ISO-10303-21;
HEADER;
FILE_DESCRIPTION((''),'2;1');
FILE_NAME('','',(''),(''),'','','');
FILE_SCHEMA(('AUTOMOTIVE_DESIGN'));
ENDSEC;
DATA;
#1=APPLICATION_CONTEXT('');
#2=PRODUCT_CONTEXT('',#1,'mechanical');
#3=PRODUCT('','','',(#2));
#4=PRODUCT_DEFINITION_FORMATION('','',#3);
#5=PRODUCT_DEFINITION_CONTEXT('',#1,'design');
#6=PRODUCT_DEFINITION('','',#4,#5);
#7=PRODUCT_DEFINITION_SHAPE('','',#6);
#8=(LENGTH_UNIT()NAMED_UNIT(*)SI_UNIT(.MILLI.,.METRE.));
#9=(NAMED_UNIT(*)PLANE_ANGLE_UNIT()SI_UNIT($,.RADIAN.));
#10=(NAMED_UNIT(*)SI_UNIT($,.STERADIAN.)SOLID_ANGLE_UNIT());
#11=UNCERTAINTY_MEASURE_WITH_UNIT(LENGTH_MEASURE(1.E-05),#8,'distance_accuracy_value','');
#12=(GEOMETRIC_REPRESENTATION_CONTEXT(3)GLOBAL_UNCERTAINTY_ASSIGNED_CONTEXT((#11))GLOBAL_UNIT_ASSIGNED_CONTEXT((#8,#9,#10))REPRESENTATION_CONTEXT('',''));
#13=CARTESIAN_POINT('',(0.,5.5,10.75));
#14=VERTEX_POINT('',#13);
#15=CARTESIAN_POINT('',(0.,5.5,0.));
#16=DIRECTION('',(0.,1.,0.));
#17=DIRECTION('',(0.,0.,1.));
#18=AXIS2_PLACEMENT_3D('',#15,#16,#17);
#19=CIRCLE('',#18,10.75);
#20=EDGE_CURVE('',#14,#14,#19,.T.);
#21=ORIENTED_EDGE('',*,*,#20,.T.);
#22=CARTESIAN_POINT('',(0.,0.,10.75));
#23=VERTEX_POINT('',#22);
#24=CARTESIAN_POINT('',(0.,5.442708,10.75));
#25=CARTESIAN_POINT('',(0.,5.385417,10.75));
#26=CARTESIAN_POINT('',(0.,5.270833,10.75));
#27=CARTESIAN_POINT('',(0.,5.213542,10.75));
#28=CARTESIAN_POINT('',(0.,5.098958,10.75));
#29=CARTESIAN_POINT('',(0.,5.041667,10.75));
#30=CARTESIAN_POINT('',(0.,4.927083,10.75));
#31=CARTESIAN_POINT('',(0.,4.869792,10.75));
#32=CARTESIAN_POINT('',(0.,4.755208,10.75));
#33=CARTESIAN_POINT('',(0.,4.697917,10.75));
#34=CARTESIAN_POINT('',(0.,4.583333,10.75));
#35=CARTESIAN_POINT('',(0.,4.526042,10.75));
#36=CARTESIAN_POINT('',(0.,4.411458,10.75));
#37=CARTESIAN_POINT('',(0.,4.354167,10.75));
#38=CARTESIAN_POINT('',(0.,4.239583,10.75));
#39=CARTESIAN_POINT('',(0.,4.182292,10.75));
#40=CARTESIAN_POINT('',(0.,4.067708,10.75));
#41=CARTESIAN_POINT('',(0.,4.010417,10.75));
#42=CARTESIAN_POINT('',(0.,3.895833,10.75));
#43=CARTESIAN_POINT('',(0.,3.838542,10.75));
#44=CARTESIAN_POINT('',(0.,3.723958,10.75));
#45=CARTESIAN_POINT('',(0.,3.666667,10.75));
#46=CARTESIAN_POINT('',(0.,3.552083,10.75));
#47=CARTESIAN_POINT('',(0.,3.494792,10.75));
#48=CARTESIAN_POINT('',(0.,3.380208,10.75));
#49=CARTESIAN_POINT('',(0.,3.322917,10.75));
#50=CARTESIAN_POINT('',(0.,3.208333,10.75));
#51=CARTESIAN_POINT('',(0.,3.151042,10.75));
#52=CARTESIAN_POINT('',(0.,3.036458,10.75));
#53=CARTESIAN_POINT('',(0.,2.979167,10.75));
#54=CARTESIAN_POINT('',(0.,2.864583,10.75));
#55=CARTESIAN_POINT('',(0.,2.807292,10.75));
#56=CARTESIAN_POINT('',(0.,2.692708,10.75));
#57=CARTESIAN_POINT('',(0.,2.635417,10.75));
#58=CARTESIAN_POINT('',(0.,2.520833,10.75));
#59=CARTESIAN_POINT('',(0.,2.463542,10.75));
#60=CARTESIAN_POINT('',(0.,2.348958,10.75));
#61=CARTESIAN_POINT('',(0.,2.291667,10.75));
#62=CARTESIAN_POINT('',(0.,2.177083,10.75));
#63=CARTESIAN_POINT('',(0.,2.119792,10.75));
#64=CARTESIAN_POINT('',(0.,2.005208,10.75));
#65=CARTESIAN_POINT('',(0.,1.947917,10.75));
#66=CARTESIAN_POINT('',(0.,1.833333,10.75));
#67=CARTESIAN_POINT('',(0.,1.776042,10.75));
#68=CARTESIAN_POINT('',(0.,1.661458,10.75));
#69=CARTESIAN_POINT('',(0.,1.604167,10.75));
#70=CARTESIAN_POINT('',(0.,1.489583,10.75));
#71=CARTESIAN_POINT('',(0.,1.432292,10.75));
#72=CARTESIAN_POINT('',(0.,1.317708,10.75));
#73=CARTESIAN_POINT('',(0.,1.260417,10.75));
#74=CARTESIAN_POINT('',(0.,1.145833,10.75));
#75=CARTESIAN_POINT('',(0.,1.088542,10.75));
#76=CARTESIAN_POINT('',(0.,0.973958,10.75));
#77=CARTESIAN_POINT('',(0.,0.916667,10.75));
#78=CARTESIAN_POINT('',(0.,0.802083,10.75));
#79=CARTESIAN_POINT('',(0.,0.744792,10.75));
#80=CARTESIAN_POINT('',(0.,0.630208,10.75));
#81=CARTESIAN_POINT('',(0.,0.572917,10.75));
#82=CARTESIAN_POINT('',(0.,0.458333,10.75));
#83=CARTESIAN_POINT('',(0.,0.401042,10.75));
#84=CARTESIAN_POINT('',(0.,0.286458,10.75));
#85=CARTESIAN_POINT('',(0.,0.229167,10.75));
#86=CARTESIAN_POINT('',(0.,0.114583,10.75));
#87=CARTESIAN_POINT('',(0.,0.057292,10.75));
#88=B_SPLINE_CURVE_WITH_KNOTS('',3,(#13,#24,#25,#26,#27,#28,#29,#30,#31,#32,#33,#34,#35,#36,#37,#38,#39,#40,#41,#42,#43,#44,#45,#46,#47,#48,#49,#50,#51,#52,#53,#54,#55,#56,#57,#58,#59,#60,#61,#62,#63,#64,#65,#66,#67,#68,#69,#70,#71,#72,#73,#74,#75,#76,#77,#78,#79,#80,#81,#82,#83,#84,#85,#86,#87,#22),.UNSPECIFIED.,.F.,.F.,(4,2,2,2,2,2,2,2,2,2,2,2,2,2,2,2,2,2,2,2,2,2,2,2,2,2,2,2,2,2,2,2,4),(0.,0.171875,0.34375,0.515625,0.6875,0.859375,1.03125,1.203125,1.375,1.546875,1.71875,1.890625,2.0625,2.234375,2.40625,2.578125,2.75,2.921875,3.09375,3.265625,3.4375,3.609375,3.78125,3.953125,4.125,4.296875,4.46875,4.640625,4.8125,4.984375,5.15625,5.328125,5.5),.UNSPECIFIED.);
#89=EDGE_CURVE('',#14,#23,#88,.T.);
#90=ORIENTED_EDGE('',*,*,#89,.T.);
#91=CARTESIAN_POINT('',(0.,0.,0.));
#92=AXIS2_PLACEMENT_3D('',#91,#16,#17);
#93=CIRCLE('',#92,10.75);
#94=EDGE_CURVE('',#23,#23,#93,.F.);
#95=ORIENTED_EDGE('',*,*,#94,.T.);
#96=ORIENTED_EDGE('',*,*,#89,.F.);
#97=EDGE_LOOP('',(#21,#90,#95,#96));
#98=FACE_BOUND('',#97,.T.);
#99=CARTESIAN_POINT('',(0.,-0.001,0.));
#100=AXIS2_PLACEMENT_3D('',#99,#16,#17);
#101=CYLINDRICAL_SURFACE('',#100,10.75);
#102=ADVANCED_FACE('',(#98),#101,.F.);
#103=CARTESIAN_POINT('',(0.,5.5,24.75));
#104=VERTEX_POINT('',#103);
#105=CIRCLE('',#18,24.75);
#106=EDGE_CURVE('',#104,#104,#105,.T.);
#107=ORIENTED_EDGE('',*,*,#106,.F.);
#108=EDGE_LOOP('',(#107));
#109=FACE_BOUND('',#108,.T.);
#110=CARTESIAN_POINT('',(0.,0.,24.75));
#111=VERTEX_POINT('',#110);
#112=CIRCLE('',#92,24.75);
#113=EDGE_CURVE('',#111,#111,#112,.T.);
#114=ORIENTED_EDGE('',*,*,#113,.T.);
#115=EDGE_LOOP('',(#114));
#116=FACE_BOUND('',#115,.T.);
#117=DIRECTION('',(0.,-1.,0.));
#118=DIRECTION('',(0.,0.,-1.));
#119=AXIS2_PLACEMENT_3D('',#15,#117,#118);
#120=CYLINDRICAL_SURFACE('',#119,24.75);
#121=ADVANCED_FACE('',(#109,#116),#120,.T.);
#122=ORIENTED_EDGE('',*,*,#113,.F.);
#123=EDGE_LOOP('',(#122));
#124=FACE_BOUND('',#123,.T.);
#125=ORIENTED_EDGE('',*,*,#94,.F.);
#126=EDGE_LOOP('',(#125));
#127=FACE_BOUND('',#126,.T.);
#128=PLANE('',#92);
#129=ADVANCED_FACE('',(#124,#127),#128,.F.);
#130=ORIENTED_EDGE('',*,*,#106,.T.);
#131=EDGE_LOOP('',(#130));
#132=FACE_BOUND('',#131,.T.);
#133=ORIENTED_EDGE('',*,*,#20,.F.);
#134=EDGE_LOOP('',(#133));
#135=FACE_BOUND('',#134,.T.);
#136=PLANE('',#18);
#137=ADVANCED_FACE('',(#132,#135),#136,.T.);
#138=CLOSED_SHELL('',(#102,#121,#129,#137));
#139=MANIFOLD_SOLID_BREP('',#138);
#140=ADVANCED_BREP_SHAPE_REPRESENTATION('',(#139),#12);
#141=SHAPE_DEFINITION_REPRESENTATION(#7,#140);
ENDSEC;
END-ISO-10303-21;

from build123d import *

# Parameters (mm, degrees)
SKETCH1_R           = 24.75
BOSS_EXTRUDE1_DEPTH = 5.5
CUT_EXTRUDE1_REACH  = 37.431
SKETCH2_R           = 10.75


with BuildPart() as part:
    # Sketch1 → Boss-Extrude1 (new body)
    with BuildSketch(Plane(origin=(0, 0, 0), x_dir=(1, 0, 0), z_dir=(0, 1, 0))):
        with Locations(Location((0, 0, 0), (0, 0, 270))):
            Circle(SKETCH1_R)
    extrude(amount=BOSS_EXTRUDE1_DEPTH)

    # Sketch2 → Cut-Extrude1 (cut, up to next)
    with BuildSketch(Plane(origin=(0, 5.5, 0), x_dir=(1, 0, 0), z_dir=(0, 1, 0)), mode=Mode.PRIVATE) as cut_extrude1_sk1:
        with Locations(Location((0, 0, 0), (0, 0, 270))):
            Circle(SKETCH2_R)
    cut_extrude1_tool1 = extrude(cut_extrude1_sk1.sketch, amount=-CUT_EXTRUDE1_REACH, mode=Mode.PRIVATE) & part.part
    add(cut_extrude1_tool1.solids().sort_by_distance((0, 5.5, 0))[0], mode=Mode.SUBTRACT)


solid = part.part
